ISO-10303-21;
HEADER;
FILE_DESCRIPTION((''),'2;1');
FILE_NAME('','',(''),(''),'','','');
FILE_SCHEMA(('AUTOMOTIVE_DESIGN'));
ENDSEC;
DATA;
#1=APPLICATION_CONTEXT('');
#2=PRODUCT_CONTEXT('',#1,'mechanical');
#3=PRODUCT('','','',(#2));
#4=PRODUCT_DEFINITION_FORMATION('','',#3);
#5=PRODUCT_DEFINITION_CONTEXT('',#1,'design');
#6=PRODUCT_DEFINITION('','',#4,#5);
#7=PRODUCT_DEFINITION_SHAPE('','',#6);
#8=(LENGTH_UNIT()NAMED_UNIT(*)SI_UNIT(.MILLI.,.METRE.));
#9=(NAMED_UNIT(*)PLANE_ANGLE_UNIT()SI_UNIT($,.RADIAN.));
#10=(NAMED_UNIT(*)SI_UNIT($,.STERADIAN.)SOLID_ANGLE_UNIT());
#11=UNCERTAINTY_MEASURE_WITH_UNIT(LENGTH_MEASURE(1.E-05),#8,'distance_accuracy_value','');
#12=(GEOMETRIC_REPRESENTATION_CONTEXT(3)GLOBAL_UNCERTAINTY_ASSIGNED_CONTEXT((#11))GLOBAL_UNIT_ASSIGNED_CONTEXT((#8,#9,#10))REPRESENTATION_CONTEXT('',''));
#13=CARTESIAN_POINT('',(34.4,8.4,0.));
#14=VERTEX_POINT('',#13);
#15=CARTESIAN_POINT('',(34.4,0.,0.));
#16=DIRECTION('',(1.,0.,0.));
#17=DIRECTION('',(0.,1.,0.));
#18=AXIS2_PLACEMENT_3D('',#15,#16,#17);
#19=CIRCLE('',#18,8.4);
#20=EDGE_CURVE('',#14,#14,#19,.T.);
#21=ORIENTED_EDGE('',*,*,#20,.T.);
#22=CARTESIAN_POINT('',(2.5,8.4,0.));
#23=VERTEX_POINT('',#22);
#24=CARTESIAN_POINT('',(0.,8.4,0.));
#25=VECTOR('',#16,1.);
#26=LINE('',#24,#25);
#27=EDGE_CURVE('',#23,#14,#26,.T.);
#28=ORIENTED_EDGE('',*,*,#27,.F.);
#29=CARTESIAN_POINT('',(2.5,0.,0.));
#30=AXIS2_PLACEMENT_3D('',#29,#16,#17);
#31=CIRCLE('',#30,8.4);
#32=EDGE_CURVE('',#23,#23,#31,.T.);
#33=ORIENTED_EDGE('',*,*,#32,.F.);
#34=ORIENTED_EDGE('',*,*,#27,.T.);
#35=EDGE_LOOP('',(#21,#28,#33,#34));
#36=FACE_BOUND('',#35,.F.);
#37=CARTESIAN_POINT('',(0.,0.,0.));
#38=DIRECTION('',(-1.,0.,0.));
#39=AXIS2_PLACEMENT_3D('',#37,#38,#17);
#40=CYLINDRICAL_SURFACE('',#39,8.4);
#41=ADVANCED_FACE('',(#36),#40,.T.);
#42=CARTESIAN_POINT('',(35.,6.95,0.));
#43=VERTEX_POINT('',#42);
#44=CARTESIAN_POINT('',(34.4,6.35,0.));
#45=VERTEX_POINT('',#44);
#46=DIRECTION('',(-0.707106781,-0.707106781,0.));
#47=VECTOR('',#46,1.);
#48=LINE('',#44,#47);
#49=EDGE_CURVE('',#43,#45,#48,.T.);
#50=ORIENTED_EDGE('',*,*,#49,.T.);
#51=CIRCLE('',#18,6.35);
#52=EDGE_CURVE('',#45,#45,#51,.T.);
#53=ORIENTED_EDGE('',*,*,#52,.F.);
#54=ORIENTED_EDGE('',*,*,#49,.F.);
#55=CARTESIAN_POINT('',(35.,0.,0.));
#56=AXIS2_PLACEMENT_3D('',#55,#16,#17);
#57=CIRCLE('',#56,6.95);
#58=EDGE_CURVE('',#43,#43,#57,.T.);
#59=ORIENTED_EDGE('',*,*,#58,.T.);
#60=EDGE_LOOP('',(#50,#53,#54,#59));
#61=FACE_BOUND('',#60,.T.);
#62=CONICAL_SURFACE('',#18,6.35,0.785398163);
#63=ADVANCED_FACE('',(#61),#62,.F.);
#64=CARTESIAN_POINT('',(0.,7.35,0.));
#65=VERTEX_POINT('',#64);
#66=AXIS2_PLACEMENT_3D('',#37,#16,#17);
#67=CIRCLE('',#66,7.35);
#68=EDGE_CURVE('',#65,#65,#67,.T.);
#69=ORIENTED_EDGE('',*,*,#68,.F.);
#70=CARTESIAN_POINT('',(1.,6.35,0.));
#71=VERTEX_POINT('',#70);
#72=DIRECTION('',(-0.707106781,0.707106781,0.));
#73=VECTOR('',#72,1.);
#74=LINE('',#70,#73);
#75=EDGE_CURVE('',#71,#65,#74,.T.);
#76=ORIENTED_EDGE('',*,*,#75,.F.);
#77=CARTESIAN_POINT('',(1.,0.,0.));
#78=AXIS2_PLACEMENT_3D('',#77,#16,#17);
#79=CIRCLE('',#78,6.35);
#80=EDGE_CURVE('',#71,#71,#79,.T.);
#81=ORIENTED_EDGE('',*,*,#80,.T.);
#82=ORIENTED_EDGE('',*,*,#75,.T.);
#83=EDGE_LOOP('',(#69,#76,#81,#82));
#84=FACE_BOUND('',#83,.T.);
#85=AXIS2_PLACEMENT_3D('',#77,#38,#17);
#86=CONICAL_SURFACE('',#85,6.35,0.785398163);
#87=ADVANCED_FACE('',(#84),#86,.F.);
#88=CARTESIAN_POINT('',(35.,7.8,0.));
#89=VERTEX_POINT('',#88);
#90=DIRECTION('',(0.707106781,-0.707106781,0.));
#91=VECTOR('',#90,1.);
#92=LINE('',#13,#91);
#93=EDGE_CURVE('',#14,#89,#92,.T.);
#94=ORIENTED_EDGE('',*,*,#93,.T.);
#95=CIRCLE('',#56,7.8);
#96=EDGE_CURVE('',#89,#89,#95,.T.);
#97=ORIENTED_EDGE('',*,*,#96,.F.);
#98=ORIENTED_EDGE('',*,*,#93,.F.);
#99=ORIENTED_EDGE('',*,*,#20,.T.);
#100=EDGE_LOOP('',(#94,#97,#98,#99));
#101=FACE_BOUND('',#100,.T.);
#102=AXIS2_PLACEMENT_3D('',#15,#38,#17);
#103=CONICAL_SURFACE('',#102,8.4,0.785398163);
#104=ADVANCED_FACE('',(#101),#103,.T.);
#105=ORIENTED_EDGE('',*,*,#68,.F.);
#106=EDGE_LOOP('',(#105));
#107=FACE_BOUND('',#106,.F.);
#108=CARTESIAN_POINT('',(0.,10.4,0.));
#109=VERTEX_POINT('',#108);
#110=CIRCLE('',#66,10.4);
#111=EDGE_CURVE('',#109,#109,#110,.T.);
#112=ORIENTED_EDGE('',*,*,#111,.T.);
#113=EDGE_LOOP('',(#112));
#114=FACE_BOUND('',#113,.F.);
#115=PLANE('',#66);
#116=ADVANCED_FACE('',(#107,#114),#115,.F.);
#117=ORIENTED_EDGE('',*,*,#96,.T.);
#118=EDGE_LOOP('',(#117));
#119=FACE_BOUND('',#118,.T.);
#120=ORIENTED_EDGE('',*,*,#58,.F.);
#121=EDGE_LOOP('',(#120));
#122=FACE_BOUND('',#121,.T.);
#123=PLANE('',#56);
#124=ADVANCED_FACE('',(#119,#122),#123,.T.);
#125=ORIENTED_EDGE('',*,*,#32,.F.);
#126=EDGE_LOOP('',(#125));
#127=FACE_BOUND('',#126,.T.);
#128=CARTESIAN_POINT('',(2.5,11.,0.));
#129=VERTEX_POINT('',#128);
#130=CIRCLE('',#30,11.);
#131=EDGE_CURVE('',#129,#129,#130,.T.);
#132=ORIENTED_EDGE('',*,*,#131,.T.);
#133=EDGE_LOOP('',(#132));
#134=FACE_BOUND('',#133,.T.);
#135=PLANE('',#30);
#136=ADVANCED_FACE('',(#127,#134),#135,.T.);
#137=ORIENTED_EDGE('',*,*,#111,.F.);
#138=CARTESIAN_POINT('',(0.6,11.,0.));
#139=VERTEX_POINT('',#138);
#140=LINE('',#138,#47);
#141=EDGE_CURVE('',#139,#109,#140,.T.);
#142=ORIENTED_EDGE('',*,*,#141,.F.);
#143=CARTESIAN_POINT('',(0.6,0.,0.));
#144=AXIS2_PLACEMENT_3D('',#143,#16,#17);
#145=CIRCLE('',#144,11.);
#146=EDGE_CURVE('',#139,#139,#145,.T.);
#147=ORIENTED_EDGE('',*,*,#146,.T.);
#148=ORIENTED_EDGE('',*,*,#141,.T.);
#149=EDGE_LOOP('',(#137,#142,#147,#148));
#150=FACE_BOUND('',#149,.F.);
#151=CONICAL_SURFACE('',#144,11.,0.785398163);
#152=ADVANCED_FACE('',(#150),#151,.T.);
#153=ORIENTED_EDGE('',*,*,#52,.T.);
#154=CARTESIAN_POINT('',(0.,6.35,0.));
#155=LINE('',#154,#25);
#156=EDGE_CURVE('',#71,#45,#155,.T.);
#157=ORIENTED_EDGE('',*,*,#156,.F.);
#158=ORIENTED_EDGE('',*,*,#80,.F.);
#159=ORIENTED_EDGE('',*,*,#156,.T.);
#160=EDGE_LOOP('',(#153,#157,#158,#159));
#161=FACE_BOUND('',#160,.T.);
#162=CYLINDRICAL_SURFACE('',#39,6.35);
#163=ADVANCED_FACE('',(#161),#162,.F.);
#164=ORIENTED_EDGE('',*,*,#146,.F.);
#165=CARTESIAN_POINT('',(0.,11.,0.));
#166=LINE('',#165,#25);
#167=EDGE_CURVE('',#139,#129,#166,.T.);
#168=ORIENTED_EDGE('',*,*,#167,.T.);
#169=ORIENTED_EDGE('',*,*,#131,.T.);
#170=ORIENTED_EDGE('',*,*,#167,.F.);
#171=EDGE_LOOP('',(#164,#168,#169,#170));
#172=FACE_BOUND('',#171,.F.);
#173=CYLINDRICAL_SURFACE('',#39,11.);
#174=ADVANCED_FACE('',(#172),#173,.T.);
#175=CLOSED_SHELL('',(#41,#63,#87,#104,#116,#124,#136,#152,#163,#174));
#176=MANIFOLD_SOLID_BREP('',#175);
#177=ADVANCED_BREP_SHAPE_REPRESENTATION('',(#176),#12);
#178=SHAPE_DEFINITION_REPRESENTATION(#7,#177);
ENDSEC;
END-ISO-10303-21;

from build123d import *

# Parameters (mm, degrees)
F0_R     = 11
F0_R_2   = 8.4
F1_DEPTH = 2.5
F0_R_3   = 6.35
F2_DEPTH = 35
F3_SIZE  = 0.6
F4_SIZE  = 1


with BuildPart() as f1:
    # F0 (on Right) → F1 (new body)
    with BuildSketch(Plane.YZ):
        Circle(F0_R)
        Circle(F0_R_2, mode=Mode.SUBTRACT)
    extrude(amount=F1_DEPTH)

    # F0 (on Right) → F2 (join)
    with BuildSketch(Plane.YZ):
        Circle(F0_R_2)
        Circle(F0_R_3, mode=Mode.SUBTRACT)
    extrude(amount=F2_DEPTH)

    # F3
    f3_edges = [f1.edges().sort_by_distance(p)[0] for p in [
        (35, -6.35, 0),
        (35, -8.4, 0),
        (0, -11, 0),
    ]]
    chamfer(f3_edges, length=F3_SIZE)

    # F4
    f4_edges = [f1.edges().sort_by_distance(p)[0] for p in [
        (0, -6.35, 0),
    ]]
    chamfer(f4_edges, length=F4_SIZE)


solid = f1.part
